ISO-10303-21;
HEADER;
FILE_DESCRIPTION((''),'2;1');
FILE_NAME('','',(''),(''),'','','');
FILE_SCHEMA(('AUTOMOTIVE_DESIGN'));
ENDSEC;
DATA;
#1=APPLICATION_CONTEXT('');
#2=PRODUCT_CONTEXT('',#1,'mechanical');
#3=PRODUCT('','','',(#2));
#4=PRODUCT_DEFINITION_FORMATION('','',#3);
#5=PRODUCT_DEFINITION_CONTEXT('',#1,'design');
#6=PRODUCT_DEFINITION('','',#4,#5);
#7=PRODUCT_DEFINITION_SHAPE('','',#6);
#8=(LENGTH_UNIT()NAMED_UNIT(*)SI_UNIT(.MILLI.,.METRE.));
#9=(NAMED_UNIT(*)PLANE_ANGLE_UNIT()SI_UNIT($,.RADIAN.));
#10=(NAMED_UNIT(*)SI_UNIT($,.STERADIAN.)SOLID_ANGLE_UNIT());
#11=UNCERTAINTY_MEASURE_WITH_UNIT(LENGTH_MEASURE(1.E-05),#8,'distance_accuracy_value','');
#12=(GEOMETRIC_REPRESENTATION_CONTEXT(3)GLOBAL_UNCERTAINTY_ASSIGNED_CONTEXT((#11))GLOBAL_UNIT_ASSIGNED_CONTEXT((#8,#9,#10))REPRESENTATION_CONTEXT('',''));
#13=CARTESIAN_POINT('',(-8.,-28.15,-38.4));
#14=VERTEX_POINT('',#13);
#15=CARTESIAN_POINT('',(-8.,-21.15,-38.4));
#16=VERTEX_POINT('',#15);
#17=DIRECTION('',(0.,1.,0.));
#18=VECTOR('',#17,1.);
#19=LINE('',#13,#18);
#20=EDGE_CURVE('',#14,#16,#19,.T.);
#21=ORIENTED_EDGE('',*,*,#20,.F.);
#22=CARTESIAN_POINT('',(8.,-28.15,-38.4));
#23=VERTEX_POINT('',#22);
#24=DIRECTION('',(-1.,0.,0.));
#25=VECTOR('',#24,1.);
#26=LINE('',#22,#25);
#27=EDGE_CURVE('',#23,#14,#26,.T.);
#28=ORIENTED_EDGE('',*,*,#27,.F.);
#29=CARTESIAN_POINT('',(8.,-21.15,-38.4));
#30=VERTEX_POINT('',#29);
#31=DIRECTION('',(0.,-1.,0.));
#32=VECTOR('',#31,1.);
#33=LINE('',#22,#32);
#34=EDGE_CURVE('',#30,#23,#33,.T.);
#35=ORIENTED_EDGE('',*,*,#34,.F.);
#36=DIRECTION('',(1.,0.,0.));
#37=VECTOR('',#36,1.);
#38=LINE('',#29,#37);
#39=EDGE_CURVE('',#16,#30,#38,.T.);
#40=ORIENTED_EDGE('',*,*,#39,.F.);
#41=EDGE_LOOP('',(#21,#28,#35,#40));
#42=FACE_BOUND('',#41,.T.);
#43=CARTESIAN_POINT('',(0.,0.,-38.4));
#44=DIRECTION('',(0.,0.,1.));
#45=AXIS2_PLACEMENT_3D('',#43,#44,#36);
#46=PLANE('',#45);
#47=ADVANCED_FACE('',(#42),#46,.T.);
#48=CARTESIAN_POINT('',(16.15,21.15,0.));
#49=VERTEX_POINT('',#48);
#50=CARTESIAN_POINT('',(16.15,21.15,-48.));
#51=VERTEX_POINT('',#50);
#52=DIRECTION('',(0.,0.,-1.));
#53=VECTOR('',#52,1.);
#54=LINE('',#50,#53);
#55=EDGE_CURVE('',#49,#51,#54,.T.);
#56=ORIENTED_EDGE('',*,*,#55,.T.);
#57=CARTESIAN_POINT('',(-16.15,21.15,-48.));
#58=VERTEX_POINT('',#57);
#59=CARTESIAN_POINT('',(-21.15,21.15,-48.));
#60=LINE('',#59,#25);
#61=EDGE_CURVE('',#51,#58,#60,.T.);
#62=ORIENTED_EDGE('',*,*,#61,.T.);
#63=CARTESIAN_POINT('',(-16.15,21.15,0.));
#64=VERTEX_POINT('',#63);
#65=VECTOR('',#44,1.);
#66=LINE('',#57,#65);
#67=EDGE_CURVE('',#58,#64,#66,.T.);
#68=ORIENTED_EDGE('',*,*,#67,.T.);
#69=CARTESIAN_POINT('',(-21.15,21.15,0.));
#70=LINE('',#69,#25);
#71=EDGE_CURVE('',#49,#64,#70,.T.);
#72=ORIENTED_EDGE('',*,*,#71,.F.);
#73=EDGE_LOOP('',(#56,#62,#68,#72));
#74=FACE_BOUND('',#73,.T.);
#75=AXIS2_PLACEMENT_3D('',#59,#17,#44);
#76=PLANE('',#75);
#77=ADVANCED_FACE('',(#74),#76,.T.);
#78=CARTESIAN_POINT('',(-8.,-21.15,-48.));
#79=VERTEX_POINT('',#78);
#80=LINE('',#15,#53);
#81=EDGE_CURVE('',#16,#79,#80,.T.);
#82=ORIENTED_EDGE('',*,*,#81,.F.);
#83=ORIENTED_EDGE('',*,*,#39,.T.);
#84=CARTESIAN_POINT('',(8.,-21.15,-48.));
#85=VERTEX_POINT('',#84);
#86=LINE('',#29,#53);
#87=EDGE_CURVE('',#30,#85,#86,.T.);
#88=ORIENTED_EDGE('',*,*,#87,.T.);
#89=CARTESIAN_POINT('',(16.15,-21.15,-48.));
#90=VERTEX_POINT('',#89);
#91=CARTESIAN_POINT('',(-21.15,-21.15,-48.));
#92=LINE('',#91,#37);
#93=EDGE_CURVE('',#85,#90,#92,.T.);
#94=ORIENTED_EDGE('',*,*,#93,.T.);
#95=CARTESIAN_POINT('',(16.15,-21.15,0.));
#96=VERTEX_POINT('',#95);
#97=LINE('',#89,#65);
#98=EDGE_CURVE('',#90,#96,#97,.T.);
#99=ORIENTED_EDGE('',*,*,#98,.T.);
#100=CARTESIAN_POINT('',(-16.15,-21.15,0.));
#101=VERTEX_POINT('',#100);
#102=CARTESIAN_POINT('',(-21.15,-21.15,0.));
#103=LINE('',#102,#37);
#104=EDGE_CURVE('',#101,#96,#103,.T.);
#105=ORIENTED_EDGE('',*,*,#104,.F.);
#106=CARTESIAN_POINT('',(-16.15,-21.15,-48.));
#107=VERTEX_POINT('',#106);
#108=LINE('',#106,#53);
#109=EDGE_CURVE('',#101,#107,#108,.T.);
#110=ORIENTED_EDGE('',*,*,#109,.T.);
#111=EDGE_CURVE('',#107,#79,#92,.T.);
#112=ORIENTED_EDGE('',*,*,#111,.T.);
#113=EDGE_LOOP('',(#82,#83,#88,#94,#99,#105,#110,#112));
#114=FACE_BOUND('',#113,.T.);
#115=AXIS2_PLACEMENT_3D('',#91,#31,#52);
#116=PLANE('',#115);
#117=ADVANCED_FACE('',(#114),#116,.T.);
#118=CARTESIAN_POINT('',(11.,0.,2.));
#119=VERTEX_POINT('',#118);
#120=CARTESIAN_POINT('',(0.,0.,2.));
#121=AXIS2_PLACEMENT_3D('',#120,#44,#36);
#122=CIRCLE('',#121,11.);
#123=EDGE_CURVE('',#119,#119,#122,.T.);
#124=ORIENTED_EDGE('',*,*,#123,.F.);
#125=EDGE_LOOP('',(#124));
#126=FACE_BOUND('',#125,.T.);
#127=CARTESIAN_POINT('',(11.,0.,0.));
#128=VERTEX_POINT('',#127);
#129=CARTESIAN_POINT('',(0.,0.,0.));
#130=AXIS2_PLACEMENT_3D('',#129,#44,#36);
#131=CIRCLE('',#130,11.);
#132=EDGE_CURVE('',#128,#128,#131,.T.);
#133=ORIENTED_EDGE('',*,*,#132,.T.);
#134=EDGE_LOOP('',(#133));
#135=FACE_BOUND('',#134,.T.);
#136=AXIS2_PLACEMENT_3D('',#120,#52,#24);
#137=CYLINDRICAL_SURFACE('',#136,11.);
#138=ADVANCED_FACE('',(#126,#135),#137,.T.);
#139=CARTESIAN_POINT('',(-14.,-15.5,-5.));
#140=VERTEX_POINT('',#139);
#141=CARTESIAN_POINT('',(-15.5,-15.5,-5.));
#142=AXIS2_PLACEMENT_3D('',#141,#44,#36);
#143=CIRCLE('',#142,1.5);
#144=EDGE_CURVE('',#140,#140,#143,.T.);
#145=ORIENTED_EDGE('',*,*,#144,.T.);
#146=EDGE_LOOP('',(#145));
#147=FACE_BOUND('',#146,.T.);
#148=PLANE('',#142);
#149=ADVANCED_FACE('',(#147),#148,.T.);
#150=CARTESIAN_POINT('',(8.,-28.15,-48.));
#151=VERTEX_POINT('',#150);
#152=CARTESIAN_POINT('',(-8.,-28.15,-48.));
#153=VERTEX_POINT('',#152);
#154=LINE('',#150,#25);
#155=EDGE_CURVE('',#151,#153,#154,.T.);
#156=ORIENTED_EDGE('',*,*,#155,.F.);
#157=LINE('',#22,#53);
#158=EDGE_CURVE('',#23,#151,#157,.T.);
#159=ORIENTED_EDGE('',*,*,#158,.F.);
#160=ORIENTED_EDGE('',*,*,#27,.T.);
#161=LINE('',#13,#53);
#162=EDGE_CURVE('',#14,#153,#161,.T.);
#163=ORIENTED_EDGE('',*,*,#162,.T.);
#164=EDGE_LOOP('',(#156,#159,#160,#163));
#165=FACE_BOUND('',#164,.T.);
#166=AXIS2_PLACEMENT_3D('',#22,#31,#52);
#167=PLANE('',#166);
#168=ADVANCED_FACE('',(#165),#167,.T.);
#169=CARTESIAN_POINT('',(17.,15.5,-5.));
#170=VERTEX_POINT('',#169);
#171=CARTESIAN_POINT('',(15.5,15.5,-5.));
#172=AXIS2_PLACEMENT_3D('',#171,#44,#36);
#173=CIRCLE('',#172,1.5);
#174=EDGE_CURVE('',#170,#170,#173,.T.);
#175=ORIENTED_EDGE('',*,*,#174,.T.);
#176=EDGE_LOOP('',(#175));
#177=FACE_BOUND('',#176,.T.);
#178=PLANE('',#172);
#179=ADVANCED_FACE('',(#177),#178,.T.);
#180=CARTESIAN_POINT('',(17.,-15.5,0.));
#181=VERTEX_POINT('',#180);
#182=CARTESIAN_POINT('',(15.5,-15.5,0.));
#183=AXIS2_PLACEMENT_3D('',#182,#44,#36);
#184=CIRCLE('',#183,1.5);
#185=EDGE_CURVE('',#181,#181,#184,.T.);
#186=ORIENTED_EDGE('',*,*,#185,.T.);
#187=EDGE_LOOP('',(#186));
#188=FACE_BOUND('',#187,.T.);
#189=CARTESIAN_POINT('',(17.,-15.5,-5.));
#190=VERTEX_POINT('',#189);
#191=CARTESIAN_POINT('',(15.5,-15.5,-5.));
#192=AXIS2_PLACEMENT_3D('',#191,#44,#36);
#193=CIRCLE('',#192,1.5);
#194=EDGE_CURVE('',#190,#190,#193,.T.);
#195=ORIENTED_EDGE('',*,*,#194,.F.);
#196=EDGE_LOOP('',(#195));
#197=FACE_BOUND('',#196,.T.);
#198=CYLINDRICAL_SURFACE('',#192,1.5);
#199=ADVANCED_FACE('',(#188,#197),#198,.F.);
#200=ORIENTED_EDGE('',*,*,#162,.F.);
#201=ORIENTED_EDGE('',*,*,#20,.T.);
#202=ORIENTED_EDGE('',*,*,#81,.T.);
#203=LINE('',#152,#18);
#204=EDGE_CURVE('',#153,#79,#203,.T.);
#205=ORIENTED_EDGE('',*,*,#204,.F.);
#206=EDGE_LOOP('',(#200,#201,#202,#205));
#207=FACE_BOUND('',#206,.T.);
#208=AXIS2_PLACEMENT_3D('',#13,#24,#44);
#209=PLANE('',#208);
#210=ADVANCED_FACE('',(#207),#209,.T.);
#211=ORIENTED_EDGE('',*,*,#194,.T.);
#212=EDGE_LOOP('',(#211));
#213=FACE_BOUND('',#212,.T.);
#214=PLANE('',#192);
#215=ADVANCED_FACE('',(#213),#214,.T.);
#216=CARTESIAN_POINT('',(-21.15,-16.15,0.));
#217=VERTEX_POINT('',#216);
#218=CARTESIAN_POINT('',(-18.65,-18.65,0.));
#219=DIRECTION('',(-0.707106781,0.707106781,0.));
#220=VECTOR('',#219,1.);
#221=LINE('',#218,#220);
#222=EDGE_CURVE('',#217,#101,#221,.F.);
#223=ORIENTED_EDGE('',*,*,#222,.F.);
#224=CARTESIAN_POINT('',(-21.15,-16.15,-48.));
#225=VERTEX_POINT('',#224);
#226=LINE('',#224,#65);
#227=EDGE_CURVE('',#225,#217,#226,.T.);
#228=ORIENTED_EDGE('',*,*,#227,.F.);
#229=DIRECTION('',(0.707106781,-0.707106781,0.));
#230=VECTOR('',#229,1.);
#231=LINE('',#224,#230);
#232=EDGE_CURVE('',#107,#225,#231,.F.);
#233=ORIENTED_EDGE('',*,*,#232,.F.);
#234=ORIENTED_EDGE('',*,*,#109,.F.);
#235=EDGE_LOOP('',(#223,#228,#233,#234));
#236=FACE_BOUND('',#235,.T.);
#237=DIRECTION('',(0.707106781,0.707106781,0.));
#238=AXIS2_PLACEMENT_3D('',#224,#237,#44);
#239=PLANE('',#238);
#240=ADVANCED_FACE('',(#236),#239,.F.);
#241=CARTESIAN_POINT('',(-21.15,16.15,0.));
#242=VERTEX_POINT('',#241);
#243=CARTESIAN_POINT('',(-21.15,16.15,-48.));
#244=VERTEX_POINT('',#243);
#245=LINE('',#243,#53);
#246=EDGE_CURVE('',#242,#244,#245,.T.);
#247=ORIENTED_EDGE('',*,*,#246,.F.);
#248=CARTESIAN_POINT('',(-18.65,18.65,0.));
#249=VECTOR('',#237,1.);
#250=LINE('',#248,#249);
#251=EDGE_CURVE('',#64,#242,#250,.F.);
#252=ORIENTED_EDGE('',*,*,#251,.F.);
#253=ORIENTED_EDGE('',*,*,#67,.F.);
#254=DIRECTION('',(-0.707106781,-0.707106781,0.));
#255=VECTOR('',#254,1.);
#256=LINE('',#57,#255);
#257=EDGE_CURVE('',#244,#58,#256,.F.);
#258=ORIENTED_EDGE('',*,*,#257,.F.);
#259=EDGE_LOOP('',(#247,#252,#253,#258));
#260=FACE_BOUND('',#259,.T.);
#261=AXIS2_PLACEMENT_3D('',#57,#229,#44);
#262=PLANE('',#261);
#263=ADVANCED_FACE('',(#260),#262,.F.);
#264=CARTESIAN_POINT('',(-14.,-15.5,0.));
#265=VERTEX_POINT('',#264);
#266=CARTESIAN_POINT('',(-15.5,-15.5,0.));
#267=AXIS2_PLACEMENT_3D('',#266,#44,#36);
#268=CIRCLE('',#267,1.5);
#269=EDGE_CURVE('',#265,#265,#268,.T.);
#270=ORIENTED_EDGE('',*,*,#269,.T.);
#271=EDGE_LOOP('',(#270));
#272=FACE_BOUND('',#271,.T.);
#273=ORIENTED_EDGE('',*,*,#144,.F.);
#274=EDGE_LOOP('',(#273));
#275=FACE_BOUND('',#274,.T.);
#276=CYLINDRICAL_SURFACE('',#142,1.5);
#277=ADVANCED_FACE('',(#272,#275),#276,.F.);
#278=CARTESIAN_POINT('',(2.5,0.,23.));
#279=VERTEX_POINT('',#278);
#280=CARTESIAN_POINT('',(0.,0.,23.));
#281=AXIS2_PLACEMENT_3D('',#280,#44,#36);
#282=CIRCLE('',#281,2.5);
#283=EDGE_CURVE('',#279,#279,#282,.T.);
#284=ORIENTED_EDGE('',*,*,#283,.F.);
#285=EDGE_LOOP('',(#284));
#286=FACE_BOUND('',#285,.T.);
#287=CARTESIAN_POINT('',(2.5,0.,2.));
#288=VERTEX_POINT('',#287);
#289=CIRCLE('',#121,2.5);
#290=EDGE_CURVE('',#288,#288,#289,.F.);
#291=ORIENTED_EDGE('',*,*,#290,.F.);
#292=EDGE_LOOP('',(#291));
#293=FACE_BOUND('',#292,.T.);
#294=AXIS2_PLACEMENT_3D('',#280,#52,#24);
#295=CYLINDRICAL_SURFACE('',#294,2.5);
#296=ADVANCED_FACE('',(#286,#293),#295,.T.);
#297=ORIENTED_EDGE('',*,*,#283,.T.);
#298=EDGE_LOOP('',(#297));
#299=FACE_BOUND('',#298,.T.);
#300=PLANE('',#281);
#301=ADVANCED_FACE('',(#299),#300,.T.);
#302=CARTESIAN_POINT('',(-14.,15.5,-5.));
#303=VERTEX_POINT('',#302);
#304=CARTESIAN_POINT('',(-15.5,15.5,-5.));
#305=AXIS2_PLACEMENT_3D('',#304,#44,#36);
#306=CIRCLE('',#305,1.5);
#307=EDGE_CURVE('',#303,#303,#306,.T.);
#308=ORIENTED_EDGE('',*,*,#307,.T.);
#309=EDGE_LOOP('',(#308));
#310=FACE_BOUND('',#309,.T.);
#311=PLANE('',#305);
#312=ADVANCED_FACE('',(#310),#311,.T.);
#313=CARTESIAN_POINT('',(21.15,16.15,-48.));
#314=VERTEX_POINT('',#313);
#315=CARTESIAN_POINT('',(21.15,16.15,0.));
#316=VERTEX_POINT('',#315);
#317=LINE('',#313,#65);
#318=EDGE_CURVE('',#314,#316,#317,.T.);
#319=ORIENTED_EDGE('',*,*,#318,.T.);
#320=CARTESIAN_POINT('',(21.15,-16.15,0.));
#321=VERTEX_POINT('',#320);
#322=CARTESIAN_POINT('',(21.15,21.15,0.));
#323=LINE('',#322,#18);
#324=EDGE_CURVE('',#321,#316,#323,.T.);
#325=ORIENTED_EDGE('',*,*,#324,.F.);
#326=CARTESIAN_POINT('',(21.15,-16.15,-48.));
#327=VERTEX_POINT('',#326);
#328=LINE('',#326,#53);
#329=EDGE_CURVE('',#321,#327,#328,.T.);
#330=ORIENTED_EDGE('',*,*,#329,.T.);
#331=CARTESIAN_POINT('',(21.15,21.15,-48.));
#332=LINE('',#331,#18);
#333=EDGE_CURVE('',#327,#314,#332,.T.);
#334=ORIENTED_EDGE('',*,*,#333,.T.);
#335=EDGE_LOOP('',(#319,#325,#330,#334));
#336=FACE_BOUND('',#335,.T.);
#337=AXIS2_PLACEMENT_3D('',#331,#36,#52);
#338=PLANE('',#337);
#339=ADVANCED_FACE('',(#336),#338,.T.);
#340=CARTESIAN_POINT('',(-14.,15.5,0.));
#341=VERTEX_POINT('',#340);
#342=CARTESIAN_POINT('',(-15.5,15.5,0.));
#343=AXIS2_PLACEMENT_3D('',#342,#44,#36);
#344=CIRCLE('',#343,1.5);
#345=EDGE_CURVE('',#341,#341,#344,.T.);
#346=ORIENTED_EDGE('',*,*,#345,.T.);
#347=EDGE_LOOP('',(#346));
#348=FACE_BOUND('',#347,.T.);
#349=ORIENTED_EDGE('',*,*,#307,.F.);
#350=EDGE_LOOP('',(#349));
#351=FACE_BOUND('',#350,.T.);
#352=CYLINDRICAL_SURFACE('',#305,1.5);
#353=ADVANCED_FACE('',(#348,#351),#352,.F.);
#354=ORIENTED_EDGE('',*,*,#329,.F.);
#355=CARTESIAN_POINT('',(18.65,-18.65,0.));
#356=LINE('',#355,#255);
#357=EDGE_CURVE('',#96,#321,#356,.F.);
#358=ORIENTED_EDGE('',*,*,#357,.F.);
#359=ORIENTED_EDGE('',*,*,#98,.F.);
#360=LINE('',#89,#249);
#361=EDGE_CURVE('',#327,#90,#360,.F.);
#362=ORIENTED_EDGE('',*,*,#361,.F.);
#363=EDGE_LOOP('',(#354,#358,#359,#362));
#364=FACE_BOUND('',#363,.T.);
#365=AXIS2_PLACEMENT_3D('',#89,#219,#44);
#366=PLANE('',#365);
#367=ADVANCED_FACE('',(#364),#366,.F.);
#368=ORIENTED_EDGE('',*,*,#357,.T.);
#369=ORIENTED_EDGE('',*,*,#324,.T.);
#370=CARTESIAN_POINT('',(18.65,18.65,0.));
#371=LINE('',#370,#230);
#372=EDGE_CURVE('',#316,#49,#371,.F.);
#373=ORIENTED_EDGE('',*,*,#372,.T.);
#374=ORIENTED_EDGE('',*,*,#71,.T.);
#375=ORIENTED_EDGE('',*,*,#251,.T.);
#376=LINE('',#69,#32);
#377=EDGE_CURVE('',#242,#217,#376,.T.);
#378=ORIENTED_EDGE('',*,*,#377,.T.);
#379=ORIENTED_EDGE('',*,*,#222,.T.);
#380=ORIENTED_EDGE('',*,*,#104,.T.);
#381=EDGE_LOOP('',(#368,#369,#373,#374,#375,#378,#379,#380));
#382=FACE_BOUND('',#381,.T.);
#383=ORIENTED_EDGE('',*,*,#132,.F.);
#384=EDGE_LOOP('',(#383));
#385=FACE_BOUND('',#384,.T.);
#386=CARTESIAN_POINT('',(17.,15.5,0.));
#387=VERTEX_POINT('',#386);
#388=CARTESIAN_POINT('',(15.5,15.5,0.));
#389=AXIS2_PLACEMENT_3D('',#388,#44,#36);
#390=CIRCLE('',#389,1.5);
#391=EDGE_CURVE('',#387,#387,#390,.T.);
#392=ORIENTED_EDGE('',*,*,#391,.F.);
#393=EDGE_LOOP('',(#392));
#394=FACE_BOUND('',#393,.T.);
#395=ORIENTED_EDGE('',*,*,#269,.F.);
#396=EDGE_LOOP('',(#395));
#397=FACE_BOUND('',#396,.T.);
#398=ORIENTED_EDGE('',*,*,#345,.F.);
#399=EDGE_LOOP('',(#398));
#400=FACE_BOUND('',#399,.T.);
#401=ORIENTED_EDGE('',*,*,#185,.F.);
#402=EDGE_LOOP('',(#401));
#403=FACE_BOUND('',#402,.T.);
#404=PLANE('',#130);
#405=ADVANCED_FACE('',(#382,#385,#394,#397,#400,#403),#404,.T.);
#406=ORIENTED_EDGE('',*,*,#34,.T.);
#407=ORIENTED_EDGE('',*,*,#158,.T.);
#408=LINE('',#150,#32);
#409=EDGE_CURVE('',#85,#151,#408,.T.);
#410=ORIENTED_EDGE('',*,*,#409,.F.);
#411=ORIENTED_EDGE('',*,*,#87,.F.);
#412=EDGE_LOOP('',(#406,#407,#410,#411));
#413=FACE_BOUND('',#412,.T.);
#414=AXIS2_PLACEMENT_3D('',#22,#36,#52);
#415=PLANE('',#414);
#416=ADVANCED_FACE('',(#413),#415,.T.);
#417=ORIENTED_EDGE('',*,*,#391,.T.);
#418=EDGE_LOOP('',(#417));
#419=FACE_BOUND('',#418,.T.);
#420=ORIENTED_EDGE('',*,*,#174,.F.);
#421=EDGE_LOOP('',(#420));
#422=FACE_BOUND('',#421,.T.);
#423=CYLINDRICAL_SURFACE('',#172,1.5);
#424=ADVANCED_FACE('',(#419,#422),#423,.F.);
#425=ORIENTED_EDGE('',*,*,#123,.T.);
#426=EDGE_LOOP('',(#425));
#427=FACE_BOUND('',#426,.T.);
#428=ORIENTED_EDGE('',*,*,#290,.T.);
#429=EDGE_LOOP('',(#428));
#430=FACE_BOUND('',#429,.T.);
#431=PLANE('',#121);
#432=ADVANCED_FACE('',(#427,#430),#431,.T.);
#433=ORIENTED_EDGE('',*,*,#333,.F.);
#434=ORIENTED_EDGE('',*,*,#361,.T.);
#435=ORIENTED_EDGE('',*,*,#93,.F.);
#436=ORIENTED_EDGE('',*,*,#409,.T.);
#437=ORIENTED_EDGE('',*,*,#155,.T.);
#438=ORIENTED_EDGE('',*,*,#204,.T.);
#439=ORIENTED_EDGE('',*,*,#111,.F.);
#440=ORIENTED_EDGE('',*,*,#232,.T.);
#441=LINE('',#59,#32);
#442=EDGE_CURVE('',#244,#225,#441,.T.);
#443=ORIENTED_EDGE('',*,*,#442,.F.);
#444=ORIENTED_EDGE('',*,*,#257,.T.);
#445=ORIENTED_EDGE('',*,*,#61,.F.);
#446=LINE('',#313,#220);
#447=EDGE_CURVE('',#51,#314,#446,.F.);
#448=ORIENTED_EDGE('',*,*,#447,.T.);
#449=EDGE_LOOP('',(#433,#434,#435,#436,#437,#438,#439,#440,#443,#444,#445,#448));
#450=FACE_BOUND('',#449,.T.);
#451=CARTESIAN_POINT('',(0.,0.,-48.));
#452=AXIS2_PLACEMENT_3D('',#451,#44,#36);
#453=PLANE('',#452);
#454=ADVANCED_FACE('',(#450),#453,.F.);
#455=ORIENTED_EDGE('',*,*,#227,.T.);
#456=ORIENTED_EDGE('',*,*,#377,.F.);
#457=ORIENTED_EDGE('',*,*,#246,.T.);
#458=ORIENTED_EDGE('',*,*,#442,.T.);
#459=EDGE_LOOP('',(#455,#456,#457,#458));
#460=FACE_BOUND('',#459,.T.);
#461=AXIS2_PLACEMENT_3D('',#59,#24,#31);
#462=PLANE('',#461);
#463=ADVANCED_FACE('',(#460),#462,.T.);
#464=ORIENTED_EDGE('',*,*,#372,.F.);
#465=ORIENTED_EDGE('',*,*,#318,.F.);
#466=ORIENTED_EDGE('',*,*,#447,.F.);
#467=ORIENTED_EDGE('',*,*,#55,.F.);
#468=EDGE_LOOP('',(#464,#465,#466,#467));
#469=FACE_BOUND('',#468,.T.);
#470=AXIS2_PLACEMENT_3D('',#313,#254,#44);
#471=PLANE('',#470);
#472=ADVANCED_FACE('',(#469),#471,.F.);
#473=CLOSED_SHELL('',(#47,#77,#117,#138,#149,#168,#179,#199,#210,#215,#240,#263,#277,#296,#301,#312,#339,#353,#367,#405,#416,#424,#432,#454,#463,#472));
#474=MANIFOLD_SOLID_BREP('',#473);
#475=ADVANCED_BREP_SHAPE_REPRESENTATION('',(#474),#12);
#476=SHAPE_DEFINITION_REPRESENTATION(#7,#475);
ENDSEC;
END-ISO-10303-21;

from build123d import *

# Parameters (mm, degrees)
SKETCH1_W           = 42.3
SKETCH1_H           = 42.3
BOSS_EXTRUDE1_DEPTH = 48
CHAMFER1_SIZE       = 5
SKETCH3_R           = 1.5
CUT_EXTRUDE1_DEPTH  = 5
SKETCH4_R           = 11
BOSS_EXTRUDE2_DEPTH = 2
SKETCH5_R           = 2.5
BOSS_EXTRUDE3_DEPTH = 23
SKETCH6_W           = 16
SKETCH6_H           = 7
BOSS_EXTRUDE4_DEPTH = 9.6


with BuildPart() as part:
    # Sketch1 → Boss-Extrude1 (new body)
    with BuildSketch(Plane.XY):
        Rectangle(SKETCH1_W, SKETCH1_H)
    extrude(amount=-BOSS_EXTRUDE1_DEPTH)

    # Chamfer1
    chamfer1_edges = [part.edges().sort_by_distance(p)[0] for p in [
        (21.15, -21.15, -24),
        (-21.15, -21.15, -24),
        (-21.15, 21.15, -24),
        (21.15, 21.15, -24),
    ]]
    chamfer(chamfer1_edges, length=CHAMFER1_SIZE)

    # Sketch3 → Cut-Extrude1 (cut)
    with BuildSketch(Plane.XY):
        with Locations((15.5, -15.5)):
            Circle(SKETCH3_R)
        with Locations((-15.5, -15.5)):
            Circle(SKETCH3_R)
        with Locations((-15.5, 15.5)):
            Circle(SKETCH3_R)
        with Locations((15.5, 15.5)):
            Circle(SKETCH3_R)
    extrude(amount=-CUT_EXTRUDE1_DEPTH, mode=Mode.SUBTRACT)

    # Sketch4 → Boss-Extrude2 (add)
    with BuildSketch(Plane.XY):
        Circle(SKETCH4_R)
    extrude(amount=BOSS_EXTRUDE2_DEPTH)

    # Sketch5 → Boss-Extrude3 (add)
    with BuildSketch(Plane.XY):
        Circle(SKETCH5_R)
    extrude(amount=BOSS_EXTRUDE3_DEPTH)

    # Sketch6 → Boss-Extrude4 (add)
    with BuildSketch(Plane(origin=(0, 0, -48), x_dir=(-1, 0, 0), z_dir=(0, 0, -1))):
        with Locations((0, -24.65)):
            Rectangle(SKETCH6_W, SKETCH6_H)
    extrude(amount=-BOSS_EXTRUDE4_DEPTH)


solid = part.part
